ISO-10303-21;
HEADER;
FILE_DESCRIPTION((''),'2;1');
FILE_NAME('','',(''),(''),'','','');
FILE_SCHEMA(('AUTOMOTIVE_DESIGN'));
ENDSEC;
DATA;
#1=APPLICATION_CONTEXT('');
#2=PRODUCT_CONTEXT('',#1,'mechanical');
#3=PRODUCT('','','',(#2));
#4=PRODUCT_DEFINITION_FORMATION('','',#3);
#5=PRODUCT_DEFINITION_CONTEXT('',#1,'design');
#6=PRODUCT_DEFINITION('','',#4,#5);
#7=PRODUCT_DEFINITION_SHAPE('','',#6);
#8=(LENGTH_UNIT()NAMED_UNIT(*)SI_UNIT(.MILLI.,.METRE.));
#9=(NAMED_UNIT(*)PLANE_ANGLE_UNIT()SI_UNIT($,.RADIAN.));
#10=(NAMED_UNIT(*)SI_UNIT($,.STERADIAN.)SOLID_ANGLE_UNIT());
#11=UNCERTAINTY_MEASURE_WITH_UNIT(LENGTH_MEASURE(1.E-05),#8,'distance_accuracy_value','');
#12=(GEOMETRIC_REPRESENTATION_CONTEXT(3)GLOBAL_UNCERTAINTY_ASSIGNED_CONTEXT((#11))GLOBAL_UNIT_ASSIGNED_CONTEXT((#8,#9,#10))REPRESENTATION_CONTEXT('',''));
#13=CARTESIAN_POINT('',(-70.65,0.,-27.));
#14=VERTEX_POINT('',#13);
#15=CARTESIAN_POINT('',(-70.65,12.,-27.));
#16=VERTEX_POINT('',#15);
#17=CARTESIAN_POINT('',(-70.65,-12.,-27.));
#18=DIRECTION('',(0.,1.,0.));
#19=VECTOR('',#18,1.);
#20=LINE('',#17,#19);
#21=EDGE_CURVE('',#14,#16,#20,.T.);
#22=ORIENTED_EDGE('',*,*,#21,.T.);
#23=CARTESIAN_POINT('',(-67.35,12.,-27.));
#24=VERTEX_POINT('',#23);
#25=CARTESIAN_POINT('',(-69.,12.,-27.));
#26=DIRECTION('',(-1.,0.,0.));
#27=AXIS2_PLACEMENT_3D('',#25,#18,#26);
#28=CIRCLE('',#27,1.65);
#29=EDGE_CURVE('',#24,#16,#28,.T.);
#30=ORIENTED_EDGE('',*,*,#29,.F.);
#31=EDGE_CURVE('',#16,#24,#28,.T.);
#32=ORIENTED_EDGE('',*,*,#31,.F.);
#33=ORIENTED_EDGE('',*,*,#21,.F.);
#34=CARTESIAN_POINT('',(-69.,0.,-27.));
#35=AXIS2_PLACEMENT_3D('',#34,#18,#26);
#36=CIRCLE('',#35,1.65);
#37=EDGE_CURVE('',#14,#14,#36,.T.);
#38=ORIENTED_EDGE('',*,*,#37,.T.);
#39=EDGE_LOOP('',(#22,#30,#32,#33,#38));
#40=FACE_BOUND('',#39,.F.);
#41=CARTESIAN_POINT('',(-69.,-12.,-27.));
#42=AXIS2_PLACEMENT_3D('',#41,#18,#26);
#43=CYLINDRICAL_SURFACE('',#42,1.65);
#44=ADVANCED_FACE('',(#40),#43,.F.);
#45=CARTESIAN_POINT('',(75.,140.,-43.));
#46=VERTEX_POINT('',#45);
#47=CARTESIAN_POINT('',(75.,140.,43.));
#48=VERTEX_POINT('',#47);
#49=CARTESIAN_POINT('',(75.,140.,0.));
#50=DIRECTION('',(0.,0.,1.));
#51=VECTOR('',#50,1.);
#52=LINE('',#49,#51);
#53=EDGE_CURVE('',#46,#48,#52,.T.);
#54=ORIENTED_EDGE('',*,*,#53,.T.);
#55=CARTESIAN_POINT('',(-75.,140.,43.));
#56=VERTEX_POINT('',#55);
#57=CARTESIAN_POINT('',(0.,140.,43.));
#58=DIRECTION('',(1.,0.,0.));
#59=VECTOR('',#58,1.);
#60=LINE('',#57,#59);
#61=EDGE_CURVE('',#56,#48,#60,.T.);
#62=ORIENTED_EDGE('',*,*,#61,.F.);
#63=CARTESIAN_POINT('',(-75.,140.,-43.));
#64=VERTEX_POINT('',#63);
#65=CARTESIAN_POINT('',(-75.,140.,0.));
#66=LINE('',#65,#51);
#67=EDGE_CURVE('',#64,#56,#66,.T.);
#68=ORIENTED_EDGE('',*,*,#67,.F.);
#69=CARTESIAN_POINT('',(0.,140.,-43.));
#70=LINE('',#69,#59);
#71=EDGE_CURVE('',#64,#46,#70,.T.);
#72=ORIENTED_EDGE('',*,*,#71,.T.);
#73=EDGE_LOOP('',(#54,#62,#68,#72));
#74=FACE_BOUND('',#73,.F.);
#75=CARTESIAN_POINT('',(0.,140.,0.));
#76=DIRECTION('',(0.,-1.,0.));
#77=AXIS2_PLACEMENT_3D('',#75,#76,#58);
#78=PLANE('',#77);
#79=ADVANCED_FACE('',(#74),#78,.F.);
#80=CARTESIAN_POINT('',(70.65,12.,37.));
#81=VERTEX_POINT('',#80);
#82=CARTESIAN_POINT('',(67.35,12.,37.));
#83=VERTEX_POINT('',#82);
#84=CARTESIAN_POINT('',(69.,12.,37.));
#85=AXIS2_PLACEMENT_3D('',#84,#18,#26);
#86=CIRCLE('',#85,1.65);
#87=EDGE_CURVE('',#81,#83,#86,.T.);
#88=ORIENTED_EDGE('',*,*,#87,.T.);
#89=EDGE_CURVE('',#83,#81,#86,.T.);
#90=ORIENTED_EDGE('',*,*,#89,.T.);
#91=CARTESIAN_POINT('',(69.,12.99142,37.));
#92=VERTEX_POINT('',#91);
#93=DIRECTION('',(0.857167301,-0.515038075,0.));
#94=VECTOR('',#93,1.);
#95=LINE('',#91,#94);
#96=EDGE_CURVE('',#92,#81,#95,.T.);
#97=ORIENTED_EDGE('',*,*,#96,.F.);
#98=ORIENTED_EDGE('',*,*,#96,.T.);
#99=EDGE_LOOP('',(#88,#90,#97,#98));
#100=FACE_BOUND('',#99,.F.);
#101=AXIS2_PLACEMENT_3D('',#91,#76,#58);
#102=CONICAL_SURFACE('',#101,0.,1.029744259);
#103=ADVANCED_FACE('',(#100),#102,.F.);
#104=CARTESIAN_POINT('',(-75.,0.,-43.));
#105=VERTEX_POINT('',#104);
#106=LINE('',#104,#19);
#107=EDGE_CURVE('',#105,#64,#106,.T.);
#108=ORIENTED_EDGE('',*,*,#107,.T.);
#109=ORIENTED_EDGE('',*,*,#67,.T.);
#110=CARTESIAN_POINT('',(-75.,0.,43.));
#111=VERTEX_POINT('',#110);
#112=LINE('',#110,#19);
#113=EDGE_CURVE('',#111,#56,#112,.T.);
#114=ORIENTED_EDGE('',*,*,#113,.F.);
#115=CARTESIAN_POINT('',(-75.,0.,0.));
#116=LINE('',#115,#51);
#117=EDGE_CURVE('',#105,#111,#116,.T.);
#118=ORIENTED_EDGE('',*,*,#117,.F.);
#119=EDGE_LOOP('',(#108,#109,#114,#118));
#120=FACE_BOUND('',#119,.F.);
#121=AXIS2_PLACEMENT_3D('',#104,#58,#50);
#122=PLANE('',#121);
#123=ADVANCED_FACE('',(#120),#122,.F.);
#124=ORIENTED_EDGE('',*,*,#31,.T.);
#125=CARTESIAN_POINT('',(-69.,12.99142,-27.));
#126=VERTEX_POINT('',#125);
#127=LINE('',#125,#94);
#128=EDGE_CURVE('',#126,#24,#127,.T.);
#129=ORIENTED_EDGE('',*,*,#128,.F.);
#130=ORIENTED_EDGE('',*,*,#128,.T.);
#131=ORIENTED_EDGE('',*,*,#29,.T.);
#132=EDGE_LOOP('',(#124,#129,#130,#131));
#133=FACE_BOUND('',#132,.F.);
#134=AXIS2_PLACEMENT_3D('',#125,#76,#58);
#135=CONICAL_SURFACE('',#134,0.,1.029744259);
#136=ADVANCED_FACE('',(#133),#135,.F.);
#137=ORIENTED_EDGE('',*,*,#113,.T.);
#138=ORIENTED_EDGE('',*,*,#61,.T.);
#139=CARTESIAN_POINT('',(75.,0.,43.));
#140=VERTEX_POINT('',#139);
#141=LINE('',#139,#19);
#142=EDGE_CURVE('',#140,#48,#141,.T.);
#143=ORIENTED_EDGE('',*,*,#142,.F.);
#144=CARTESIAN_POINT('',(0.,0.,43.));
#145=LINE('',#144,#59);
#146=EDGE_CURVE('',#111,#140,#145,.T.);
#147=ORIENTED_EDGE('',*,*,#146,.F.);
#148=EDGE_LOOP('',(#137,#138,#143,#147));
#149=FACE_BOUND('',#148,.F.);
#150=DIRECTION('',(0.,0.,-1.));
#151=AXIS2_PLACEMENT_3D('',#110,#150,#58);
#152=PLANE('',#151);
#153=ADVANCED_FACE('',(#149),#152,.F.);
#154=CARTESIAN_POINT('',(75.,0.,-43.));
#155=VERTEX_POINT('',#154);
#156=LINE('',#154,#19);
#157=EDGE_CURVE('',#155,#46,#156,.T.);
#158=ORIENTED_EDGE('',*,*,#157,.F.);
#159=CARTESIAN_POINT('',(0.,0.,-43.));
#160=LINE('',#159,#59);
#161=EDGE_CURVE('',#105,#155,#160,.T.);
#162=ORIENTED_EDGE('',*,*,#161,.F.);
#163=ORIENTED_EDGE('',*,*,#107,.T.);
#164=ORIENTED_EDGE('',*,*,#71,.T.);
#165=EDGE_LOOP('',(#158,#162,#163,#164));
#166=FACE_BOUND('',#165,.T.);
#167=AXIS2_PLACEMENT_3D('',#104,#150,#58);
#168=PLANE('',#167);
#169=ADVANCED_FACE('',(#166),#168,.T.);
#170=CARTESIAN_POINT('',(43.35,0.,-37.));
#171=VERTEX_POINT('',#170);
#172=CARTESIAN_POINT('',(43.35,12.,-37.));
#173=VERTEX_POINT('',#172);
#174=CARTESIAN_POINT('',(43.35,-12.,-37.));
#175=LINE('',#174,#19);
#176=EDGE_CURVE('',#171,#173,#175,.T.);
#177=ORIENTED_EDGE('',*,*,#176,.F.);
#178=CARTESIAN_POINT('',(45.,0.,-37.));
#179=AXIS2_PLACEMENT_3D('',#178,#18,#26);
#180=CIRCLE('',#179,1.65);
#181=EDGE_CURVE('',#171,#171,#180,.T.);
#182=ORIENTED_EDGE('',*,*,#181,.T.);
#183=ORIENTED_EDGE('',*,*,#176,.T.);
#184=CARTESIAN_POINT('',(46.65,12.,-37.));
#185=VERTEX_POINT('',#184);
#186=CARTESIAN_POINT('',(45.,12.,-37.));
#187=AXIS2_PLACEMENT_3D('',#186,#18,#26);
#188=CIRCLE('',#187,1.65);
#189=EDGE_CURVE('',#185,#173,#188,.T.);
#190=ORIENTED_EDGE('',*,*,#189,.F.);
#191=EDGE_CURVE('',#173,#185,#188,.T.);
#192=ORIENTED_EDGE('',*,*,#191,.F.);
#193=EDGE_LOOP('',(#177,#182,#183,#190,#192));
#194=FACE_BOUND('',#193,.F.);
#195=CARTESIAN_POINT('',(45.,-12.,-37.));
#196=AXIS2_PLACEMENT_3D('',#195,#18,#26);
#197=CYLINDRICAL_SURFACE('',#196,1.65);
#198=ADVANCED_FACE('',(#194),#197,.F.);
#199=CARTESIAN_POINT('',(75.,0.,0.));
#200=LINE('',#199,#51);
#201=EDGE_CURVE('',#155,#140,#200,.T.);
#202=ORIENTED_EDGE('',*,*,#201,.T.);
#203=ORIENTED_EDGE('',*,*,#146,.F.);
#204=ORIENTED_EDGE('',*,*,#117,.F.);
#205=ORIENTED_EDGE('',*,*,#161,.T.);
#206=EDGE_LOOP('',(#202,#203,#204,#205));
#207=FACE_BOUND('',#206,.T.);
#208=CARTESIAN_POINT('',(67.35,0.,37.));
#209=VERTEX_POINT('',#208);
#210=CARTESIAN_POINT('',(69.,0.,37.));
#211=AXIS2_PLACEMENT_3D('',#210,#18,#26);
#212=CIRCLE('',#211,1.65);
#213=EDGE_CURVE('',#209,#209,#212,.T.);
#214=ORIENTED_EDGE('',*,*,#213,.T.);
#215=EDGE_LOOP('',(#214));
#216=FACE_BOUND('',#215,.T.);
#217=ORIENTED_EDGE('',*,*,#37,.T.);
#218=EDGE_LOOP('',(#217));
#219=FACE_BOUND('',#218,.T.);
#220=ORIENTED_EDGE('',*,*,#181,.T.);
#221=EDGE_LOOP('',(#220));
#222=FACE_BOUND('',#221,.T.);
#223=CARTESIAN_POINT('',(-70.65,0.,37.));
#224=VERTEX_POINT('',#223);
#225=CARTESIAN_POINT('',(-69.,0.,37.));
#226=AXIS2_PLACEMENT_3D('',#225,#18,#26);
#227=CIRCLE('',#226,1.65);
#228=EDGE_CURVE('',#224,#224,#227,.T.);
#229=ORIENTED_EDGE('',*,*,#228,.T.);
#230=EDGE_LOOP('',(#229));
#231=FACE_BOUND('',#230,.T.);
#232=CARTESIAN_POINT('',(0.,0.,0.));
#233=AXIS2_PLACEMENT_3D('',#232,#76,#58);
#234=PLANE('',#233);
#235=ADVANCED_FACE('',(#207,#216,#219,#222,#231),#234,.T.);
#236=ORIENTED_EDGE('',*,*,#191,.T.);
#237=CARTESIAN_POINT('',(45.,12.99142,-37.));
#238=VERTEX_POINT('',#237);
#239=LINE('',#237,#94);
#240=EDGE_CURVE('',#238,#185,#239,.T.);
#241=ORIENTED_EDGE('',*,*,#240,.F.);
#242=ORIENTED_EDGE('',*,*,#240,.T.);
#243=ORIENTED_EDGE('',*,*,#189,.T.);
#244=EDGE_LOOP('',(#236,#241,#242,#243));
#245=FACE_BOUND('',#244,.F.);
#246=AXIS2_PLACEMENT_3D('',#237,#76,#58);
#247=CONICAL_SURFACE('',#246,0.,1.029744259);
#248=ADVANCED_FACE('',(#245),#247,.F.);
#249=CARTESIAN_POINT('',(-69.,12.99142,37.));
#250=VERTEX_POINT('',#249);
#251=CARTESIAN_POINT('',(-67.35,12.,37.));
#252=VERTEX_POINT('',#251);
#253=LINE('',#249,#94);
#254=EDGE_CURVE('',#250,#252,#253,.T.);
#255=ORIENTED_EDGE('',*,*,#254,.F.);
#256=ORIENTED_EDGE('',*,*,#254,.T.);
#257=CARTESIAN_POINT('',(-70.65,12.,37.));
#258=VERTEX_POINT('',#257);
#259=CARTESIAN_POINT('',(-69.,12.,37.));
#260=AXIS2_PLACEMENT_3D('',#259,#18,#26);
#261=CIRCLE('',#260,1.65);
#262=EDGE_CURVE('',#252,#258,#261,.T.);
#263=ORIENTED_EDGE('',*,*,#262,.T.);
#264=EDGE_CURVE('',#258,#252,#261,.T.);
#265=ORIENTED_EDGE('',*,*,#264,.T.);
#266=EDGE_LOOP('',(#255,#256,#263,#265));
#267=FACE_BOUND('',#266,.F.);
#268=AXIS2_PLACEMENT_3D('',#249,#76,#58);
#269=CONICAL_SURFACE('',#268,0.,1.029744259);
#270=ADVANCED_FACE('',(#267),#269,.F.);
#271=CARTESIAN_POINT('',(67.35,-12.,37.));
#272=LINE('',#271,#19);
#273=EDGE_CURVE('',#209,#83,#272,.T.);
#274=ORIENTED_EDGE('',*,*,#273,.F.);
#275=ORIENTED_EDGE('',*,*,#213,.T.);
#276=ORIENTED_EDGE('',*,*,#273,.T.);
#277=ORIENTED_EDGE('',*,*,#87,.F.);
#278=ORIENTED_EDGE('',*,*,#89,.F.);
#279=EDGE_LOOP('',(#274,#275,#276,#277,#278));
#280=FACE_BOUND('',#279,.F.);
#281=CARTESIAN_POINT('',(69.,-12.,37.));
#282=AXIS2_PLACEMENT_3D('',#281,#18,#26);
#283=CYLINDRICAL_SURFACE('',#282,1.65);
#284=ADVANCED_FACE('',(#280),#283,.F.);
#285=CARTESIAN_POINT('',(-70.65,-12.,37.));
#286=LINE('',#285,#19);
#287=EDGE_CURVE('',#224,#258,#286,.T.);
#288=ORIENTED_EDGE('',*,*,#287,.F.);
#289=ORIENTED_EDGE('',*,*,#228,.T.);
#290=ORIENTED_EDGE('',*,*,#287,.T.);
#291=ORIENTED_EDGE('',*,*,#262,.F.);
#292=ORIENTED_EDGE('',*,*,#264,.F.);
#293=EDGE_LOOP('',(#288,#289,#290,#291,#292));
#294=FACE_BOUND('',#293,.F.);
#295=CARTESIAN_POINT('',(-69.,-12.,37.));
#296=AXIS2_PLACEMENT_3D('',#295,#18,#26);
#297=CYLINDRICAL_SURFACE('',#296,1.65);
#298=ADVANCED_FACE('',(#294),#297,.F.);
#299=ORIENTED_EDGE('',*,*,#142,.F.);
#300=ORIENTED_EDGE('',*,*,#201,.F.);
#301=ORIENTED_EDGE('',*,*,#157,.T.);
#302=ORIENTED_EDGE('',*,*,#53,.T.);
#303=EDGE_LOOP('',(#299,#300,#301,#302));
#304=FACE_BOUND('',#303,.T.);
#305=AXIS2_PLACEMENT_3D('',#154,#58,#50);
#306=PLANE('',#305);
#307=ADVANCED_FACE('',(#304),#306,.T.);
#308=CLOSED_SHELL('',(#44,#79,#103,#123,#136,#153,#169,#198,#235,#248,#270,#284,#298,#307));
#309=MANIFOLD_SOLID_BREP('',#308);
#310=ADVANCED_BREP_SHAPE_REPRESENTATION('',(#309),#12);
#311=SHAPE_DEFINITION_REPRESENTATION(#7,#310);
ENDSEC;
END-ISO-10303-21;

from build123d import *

# Parameters (mm, degrees)
F0_W     = 150
F0_H     = 86
F1_DEPTH = 140
F2_D     = 3.3
F2_DEPTH = 12
F2_TIP   = 0.9914200214
F3_D     = 3.3
F3_DEPTH = 12
F3_TIP   = 0.9914200214
F4_D     = 3.3
F4_DEPTH = 12
F4_TIP   = 0.9914200214
F5_D     = 3.3
F5_DEPTH = 12
F5_TIP   = 0.9914200214


with BuildPart() as f1:
    # F0 (on Front) → F1 (new body)
    with BuildSketch(Plane.XZ):
        Rectangle(F0_W, F0_H)
    extrude(amount=-F1_DEPTH)

    # F2
    with Locations(Plane.XZ):
        with Locations((-69, 37)):
            Hole(F2_D / 2, depth=F2_DEPTH)
            with Locations((0, 0, -(F2_DEPTH + F2_TIP / 2))):  # 118° drill point
                Cone(0, F2_D / 2, F2_TIP, mode=Mode.SUBTRACT)

    # F3
    with Locations(Plane.XZ):
        with Locations((-69, -27)):
            Hole(F3_D / 2, depth=F3_DEPTH)
            with Locations((0, 0, -(F3_DEPTH + F3_TIP / 2))):  # 118° drill point
                Cone(0, F3_D / 2, F3_TIP, mode=Mode.SUBTRACT)

    # F4
    with Locations(Plane.XZ):
        with Locations((69, 37)):
            Hole(F4_D / 2, depth=F4_DEPTH)
            with Locations((0, 0, -(F4_DEPTH + F4_TIP / 2))):  # 118° drill point
                Cone(0, F4_D / 2, F4_TIP, mode=Mode.SUBTRACT)

    # F5
    with Locations(Plane.XZ):
        with Locations((45, -37)):
            Hole(F5_D / 2, depth=F5_DEPTH)
            with Locations((0, 0, -(F5_DEPTH + F5_TIP / 2))):  # 118° drill point
                Cone(0, F5_D / 2, F5_TIP, mode=Mode.SUBTRACT)


solid = f1.part
